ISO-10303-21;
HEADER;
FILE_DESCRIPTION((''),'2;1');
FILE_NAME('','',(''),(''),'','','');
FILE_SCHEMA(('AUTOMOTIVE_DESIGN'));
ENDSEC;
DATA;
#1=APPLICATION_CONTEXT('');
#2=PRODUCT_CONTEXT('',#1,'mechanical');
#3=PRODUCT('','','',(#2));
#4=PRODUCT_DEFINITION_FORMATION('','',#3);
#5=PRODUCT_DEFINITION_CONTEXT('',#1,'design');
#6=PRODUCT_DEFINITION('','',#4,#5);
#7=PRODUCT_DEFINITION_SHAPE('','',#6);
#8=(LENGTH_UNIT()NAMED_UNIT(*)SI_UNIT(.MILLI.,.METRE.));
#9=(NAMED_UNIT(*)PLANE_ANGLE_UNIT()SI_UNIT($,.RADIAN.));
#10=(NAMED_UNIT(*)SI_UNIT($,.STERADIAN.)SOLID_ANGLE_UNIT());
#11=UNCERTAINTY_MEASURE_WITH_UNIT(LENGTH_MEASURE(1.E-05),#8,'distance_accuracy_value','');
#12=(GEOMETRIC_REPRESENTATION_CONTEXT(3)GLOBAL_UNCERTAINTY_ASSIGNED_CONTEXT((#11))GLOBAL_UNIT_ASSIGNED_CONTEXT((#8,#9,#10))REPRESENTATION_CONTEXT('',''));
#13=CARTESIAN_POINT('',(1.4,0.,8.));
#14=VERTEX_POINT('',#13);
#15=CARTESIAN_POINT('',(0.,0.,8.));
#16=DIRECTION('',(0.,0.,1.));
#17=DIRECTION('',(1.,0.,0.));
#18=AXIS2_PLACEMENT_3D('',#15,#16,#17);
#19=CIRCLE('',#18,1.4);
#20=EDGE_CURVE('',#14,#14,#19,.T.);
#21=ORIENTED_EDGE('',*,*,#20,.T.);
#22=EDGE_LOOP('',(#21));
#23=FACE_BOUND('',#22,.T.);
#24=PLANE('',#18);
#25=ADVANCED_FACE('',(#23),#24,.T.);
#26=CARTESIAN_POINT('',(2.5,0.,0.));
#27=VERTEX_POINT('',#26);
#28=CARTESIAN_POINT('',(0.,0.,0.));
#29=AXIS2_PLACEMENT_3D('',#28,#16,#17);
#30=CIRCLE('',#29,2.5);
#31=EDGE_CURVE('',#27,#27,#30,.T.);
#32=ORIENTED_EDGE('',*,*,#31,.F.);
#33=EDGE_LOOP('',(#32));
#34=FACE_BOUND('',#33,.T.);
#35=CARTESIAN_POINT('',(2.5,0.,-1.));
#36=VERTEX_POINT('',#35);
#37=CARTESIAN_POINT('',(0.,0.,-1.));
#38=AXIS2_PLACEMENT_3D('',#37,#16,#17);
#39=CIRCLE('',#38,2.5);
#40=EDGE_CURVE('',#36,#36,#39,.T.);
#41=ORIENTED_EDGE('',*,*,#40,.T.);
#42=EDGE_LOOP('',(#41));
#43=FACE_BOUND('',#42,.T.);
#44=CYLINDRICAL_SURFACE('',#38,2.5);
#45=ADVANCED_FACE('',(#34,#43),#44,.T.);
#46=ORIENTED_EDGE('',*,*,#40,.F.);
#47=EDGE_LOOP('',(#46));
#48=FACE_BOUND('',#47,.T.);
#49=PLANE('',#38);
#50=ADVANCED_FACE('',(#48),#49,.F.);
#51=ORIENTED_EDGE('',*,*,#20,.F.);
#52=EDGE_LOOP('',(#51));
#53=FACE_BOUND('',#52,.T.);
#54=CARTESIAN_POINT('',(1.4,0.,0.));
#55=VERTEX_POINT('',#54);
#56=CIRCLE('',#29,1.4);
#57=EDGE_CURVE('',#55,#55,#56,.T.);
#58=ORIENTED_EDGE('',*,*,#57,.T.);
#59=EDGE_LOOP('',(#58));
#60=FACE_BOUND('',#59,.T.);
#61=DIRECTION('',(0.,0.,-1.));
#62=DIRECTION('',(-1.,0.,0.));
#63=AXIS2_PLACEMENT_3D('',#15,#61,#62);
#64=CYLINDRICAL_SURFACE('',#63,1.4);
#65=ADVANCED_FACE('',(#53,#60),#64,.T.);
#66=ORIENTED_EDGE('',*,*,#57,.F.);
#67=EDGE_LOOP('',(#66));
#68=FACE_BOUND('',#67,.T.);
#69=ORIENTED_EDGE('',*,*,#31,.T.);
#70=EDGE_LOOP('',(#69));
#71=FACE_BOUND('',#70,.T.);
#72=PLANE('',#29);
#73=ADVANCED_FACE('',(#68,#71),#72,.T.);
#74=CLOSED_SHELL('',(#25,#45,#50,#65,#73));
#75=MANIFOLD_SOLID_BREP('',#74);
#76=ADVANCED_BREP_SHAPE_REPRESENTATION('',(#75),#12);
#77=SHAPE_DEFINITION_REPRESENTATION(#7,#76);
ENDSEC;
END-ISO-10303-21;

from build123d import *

# Parameters (mm, degrees)
SKETCH1_R           = 1.4
BOSS_EXTRUDE1_DEPTH = 8
SKETCH2_R           = 2.5
BOSS_EXTRUDE2_DEPTH = 1


with BuildPart() as part:
    # Sketch1 → Boss-Extrude1 (new body)
    with BuildSketch(Plane.XY):
        Circle(SKETCH1_R)
    extrude(amount=BOSS_EXTRUDE1_DEPTH)

    # Sketch2 → Boss-Extrude2 (add)
    with BuildSketch(Plane.XY):
        Circle(SKETCH2_R)
    extrude(amount=-BOSS_EXTRUDE2_DEPTH)


solid = part.part
